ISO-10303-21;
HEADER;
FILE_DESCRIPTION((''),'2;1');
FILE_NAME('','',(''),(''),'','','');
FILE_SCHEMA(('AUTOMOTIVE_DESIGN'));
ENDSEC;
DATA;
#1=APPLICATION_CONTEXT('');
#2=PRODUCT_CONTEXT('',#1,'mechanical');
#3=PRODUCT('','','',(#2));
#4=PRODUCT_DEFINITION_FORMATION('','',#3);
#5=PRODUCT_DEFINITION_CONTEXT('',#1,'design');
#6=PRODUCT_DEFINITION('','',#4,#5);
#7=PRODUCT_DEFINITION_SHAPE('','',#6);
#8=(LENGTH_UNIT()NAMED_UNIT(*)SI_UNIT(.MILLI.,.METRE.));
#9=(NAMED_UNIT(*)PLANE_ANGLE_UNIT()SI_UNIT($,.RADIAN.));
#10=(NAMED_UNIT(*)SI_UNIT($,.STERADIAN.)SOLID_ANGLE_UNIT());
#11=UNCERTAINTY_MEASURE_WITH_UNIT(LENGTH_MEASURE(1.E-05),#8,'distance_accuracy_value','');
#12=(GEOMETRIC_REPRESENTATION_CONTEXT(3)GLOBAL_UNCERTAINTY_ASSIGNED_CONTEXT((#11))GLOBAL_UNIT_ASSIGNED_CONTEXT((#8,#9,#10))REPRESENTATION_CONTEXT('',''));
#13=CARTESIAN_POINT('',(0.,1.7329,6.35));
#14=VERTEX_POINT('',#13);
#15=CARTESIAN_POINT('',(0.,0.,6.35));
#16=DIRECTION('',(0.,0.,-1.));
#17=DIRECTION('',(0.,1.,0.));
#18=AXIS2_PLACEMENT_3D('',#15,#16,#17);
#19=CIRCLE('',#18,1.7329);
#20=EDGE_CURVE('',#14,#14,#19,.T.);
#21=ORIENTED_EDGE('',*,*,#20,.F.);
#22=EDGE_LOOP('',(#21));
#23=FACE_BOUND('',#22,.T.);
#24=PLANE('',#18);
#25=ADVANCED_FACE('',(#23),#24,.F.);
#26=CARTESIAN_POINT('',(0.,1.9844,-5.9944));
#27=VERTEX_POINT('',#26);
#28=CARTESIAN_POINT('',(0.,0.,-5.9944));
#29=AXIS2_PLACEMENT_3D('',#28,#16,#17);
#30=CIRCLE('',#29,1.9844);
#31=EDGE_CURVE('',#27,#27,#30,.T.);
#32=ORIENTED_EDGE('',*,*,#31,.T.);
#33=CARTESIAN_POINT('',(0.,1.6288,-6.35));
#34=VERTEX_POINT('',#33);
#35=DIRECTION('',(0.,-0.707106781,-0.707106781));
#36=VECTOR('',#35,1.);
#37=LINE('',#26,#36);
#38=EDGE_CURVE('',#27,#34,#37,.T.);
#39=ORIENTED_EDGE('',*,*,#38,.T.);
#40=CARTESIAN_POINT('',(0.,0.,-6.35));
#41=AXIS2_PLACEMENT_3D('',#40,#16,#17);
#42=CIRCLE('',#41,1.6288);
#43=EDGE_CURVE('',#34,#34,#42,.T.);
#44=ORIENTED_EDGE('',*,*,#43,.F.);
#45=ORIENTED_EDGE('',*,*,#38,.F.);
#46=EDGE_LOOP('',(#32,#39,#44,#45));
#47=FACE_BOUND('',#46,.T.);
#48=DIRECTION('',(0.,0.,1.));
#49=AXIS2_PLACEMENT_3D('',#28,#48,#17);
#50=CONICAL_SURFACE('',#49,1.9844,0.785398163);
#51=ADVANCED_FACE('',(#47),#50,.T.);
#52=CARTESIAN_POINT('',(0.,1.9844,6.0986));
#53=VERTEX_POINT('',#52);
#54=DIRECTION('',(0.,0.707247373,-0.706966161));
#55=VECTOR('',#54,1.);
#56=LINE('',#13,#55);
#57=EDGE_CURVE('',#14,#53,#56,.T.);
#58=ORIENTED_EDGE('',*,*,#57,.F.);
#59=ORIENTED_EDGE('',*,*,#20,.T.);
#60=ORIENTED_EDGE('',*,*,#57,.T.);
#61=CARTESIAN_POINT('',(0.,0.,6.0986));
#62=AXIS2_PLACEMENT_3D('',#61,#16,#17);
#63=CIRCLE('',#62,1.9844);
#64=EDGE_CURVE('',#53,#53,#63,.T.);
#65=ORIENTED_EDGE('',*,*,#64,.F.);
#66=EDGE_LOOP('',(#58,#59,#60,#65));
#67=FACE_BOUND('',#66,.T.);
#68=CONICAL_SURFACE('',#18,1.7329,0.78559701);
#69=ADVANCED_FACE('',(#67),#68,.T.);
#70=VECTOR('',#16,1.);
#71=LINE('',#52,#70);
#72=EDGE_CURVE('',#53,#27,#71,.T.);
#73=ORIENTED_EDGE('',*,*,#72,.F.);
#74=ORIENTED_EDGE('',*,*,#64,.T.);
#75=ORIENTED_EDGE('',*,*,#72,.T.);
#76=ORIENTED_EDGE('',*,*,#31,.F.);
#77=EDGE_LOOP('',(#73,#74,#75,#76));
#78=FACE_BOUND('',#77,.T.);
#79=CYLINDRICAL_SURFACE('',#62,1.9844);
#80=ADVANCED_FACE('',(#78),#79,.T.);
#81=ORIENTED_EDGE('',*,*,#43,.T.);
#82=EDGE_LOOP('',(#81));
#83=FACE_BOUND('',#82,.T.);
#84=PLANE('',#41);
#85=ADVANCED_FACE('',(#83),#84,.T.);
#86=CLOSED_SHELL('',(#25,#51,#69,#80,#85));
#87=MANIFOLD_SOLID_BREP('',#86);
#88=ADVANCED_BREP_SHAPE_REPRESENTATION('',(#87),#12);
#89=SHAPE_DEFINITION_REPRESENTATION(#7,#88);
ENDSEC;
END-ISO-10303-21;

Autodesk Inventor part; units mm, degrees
sketch "Sketch_1" plane through (0, 0, 0) normal (1, 0, 0) x (0, 1, 0)
  line L0 (0, -6.35) -> (0, 6.35)
  line L1 (0, 6.35) -> (1.7329, 6.35)
  line L2 (1.7329, 6.35) -> (1.9844, 6.0986)
  line L3 (1.9844, 6.0986) -> (1.9844, -5.9944)
  line L4 (1.9844, -5.9944) -> (1.6288, -6.35)
  line L5 (1.6288, -6.35) -> (0, -6.35)
  line L6 (0, -6.35) -> (0, 6.35)
revolve "Revolution1" add sketch "Sketch_1" angle 360 about axis through (0, 0, -6.35) along (0, 0, -1)
ref_plane "dia1_XY" through (-1.9844, 0, 0) normal (0, 0, 1) x (1, 0, 0)
ref_plane "dia1_YZ" through (-1.9844, 0, 0) normal (1, 0, 0) x (0, 1, 0)
ref_plane "dia1_ZX" through (-1.9844, 0, 0) normal (0, 1, 0) x (0, 0, 1)
ref_plane "dia2_XY" through (1.9844, 0, 0) normal (0, 0, 1) x (1, 0, 0)
ref_plane "dia2_YZ" through (1.9844, 0, 0) normal (1, 0, 0) x (0, 1, 0)
ref_plane "dia2_ZX" through (1.9844, 0, 0) normal (0, 1, 0) x (0, 0, 1)
ref_plane "pin_XY" through (0, 0, 0) normal (0, 0, 1) x (1, 0, 0)
ref_plane "pin_YZ" through (0, 0, 0) normal (1, 0, 0) x (0, 1, 0)
ref_plane "pin_ZX" through (0, 0, 0) normal (0, 1, 0) x (0, 0, 1)
ref_plane "pin1_XY" through (0, 0, 6.35) normal (1, 0, 0) x (0, 0, -1)
ref_plane "pin1_YZ" through (0, 0, 6.35) normal (0, 0, -1) x (0, 1, 0)
ref_plane "pin1_ZX" through (0, 0, 6.35) normal (0, 1, 0) x (1, 0, 0)
ref_plane "pin2_XY" through (0, 0, -6.35) normal (1, 0, 0) x (0, 0, -1)
ref_plane "pin2_YZ" through (0, 0, -6.35) normal (0, 0, -1) x (0, 1, 0)
ref_plane "pin2_ZX" through (0, 0, -6.35) normal (0, 1, 0) x (1, 0, 0)
properties part number "D-787"
